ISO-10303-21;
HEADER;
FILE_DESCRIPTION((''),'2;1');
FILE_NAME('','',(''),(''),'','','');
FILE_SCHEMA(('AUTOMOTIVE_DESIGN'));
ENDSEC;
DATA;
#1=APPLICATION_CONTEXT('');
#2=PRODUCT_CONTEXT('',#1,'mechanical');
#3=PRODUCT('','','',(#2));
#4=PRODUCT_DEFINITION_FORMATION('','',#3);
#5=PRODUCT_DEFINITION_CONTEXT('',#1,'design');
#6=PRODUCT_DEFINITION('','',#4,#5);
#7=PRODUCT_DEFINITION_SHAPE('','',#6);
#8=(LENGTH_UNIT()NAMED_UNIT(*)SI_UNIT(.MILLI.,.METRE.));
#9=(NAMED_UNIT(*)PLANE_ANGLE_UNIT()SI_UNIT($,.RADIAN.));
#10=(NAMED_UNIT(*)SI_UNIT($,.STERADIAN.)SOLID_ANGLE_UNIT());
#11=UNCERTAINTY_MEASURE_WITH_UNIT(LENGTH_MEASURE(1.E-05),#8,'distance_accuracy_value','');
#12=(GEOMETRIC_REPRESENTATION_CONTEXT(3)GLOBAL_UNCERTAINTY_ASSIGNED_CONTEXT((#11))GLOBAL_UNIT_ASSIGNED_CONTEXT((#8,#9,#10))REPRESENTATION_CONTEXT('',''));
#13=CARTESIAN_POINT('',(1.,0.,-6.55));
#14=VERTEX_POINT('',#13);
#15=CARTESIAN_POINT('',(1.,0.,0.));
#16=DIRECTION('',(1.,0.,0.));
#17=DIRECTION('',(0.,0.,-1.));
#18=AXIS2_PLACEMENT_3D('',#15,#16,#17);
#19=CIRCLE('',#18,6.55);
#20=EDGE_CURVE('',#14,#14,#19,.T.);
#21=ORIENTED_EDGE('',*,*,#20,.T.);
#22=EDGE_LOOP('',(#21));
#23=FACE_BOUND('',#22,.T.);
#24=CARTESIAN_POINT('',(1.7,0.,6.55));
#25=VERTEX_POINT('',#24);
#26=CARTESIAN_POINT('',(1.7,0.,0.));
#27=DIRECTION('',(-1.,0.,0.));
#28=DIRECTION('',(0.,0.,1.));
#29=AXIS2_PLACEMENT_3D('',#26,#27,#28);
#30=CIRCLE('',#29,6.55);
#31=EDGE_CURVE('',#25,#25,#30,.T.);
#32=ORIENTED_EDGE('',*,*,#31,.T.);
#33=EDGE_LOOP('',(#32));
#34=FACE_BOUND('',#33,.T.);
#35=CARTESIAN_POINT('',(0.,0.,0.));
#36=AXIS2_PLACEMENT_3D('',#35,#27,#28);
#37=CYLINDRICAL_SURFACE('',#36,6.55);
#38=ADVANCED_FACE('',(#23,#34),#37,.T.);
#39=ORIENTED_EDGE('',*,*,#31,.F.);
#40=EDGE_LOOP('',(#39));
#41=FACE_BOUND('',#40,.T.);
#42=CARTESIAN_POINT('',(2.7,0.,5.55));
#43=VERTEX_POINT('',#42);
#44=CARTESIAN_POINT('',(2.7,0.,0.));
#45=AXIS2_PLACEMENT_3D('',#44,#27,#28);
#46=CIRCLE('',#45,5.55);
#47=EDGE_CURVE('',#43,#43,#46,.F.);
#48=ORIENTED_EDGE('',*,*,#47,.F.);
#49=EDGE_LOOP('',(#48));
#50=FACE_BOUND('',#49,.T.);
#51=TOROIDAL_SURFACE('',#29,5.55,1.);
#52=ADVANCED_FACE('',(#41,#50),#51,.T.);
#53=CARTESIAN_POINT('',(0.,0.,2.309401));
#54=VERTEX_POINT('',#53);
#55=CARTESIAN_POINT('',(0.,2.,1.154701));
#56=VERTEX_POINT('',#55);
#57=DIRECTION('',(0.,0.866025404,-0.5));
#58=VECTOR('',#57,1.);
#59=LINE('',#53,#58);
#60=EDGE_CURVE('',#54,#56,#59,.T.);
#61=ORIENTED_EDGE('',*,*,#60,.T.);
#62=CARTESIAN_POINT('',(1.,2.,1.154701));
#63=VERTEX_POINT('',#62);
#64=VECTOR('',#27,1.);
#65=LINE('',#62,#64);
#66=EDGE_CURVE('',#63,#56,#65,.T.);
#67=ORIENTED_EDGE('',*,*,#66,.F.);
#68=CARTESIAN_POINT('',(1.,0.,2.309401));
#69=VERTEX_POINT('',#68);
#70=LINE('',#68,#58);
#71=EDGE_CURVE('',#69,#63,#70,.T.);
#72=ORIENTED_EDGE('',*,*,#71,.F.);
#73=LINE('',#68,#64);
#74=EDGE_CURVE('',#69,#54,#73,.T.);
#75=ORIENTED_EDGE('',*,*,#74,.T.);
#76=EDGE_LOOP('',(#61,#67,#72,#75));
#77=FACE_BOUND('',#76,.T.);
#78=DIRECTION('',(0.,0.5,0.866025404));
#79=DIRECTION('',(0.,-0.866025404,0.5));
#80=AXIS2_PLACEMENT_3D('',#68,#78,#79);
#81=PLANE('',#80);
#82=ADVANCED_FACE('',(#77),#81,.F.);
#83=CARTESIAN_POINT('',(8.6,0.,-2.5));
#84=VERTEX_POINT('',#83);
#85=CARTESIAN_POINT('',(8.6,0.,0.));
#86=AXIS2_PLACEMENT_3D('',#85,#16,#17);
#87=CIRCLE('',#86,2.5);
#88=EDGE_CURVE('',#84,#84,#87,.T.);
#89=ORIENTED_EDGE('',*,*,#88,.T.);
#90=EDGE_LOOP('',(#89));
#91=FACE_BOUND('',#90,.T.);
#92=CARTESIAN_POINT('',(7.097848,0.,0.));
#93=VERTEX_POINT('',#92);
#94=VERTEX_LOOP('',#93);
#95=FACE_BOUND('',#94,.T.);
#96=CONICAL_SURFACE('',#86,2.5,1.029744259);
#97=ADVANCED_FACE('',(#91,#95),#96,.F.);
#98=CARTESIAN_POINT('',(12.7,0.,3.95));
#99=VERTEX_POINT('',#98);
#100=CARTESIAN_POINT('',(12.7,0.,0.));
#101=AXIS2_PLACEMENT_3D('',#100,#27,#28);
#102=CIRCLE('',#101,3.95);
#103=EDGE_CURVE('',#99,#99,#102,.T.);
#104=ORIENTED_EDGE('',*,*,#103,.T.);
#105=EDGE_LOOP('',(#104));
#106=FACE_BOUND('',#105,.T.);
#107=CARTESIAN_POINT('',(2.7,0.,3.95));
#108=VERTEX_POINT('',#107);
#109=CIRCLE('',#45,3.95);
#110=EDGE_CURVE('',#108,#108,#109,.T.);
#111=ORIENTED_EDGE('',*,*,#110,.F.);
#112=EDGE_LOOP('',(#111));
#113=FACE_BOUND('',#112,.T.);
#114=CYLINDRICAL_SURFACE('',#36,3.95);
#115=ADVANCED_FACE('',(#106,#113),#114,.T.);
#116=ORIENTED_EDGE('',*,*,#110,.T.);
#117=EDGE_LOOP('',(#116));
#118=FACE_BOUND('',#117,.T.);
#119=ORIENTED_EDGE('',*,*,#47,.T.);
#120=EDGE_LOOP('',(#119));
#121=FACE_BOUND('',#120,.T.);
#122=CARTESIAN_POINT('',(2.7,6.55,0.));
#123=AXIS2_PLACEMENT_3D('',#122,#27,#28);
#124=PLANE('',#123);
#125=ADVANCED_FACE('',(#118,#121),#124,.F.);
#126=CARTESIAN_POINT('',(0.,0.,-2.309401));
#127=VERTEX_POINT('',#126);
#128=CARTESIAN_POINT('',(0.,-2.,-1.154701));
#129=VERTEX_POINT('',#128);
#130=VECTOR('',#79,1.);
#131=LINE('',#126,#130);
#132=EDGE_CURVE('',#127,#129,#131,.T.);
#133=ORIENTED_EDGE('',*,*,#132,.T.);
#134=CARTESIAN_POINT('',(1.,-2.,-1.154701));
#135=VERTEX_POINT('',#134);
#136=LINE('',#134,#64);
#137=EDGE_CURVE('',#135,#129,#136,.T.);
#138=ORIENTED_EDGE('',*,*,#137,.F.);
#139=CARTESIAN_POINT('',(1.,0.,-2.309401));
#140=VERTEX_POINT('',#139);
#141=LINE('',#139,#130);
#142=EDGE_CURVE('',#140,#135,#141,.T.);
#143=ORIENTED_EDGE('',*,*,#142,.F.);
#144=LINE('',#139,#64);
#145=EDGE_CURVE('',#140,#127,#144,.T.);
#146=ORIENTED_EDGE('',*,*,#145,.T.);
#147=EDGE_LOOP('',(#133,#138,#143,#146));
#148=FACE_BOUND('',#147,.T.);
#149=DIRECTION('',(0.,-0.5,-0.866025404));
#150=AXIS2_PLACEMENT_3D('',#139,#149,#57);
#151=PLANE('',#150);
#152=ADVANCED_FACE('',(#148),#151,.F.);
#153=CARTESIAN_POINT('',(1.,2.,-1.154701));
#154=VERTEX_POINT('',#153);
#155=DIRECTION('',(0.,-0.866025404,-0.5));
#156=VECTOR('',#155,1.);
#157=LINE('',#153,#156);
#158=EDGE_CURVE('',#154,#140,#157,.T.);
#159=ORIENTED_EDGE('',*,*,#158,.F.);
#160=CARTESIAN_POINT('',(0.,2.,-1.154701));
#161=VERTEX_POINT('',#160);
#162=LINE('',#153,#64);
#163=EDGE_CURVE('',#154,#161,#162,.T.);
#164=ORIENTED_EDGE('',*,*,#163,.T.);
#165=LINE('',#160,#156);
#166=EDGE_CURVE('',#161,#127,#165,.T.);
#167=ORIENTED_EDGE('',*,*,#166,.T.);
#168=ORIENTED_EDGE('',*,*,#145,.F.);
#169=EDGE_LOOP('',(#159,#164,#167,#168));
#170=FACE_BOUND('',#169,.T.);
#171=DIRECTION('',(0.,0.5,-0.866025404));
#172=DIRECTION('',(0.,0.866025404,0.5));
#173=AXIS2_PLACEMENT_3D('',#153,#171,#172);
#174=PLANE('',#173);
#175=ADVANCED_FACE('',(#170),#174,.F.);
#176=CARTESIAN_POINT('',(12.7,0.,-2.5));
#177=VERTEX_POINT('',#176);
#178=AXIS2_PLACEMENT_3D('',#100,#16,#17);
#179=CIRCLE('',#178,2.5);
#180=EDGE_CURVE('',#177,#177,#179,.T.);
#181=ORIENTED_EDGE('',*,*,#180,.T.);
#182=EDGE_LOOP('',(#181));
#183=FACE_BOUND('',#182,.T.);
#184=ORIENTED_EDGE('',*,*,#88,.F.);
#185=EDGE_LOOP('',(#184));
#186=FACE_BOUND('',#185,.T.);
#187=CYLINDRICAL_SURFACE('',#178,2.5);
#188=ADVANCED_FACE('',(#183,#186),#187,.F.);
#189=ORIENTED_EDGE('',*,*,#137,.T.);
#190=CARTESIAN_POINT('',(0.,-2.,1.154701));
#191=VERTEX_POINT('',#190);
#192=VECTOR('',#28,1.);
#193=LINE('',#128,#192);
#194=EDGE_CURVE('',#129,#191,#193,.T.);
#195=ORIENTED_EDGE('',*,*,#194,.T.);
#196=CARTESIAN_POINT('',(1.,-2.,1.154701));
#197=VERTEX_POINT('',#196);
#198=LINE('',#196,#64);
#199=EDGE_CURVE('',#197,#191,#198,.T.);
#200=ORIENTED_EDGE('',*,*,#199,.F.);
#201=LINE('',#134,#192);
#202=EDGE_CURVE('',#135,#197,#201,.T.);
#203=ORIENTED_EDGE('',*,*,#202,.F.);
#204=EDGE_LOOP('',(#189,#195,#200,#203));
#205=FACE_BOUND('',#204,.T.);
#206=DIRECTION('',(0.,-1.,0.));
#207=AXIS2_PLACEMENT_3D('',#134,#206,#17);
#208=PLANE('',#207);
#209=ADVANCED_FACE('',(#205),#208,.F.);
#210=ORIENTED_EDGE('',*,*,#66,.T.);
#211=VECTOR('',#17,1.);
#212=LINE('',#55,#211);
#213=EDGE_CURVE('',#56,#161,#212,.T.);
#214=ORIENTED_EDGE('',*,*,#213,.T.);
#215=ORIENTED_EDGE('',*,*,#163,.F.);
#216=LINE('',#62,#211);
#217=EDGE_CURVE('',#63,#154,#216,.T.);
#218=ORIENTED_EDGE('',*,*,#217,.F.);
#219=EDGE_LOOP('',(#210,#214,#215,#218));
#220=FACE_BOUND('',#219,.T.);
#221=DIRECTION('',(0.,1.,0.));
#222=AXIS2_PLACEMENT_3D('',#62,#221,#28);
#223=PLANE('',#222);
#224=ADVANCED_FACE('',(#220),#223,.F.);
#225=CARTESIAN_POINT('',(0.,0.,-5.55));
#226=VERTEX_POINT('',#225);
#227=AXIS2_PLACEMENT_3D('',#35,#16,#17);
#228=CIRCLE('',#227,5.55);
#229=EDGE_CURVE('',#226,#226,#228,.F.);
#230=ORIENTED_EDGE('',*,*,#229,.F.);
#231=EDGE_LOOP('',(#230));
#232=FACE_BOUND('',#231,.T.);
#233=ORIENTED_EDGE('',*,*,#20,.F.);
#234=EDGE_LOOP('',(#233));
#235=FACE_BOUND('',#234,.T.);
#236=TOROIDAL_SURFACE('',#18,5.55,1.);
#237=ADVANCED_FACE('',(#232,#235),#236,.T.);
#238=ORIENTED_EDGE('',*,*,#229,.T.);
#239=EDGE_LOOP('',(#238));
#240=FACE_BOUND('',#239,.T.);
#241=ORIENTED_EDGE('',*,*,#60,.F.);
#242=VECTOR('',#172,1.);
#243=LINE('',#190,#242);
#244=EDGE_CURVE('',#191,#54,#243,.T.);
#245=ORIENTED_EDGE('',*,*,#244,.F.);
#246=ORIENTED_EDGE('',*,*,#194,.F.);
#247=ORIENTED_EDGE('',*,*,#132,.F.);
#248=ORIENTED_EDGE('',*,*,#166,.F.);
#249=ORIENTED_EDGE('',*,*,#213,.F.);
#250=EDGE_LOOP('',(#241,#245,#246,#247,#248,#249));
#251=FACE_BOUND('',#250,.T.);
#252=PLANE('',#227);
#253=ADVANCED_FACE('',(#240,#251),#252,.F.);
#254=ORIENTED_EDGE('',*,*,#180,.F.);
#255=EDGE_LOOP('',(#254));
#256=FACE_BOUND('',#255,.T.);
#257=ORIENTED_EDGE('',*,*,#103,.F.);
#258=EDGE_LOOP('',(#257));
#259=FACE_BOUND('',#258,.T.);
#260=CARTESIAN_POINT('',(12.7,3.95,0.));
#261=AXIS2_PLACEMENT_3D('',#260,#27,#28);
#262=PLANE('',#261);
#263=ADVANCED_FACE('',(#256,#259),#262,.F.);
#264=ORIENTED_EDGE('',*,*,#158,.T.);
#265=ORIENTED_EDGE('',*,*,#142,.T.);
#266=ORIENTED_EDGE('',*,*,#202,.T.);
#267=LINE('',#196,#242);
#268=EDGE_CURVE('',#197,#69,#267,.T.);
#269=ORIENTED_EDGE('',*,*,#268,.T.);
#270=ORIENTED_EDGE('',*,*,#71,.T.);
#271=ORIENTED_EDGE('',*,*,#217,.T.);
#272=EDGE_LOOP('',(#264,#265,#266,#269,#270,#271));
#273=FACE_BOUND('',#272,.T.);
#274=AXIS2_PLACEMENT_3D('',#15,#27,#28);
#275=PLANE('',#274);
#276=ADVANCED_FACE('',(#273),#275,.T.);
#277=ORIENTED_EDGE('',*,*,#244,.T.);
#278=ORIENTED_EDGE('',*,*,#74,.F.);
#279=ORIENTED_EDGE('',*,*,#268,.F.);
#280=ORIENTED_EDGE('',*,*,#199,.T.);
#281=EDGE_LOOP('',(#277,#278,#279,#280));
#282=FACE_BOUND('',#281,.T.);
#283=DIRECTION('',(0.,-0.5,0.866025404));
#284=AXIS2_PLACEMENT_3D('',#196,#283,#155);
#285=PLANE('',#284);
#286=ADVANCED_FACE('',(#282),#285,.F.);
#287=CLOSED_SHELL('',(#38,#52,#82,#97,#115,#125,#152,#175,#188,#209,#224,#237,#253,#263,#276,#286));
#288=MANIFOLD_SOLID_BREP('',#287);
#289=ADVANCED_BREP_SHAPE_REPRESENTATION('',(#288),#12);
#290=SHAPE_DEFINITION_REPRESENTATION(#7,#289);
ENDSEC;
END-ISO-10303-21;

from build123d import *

# Parameters (mm, degrees)
FILLET_1_R             = 1
CUT_EXTRUDE_1_DEPTH    = 1
HOLE_WIZARD_M6_1_D     = 5
HOLE_WIZARD_M6_1_DEPTH = 4.1
HOLE_WIZARD_M6_1_TIP   = 1.502151548


with BuildPart() as part:
    # 草图1 → 旋转1 (revolve)
    with BuildSketch(Plane.XY):
        Polygon((0, 0), (0, 6.55), (2.7, 6.55), (2.7, 3.95), (12.7, 3.95), (12.7, 0), align=None)
    revolve(axis=Axis((0, 0, 0), (1, 0, 0)))

    # 圆角1
    fillet_1_edges = [part.edges().sort_by_distance(p)[0] for p in [
        (2.7, -6.55, 0),
        (0, -6.55, 0),
    ]]
    fillet(fillet_1_edges, radius=FILLET_1_R)

    # 草图2 → 切除-拉伸1 (cut)
    with BuildSketch(Plane.ZY):
        Polygon((1.154700538, 2), (-1.154700538, 2), (-2.309401077, 0), (-1.154700538, -2), (1.154700538, -2), (2.309401077, 0), align=None)
    extrude(amount=-CUT_EXTRUDE_1_DEPTH, mode=Mode.SUBTRACT)

    # M6 螺纹孔1
    with Locations(Plane(origin=(12.7, 0, 0), x_dir=(0, 0, -1), z_dir=(1, 0, 0))):
        with Locations((0, 0)):
            Hole(HOLE_WIZARD_M6_1_D / 2, depth=HOLE_WIZARD_M6_1_DEPTH)
            with Locations((0, 0, -(HOLE_WIZARD_M6_1_DEPTH + HOLE_WIZARD_M6_1_TIP / 2))):  # 118° drill point
                Cone(0, HOLE_WIZARD_M6_1_D / 2, HOLE_WIZARD_M6_1_TIP, mode=Mode.SUBTRACT)


solid = part.part
